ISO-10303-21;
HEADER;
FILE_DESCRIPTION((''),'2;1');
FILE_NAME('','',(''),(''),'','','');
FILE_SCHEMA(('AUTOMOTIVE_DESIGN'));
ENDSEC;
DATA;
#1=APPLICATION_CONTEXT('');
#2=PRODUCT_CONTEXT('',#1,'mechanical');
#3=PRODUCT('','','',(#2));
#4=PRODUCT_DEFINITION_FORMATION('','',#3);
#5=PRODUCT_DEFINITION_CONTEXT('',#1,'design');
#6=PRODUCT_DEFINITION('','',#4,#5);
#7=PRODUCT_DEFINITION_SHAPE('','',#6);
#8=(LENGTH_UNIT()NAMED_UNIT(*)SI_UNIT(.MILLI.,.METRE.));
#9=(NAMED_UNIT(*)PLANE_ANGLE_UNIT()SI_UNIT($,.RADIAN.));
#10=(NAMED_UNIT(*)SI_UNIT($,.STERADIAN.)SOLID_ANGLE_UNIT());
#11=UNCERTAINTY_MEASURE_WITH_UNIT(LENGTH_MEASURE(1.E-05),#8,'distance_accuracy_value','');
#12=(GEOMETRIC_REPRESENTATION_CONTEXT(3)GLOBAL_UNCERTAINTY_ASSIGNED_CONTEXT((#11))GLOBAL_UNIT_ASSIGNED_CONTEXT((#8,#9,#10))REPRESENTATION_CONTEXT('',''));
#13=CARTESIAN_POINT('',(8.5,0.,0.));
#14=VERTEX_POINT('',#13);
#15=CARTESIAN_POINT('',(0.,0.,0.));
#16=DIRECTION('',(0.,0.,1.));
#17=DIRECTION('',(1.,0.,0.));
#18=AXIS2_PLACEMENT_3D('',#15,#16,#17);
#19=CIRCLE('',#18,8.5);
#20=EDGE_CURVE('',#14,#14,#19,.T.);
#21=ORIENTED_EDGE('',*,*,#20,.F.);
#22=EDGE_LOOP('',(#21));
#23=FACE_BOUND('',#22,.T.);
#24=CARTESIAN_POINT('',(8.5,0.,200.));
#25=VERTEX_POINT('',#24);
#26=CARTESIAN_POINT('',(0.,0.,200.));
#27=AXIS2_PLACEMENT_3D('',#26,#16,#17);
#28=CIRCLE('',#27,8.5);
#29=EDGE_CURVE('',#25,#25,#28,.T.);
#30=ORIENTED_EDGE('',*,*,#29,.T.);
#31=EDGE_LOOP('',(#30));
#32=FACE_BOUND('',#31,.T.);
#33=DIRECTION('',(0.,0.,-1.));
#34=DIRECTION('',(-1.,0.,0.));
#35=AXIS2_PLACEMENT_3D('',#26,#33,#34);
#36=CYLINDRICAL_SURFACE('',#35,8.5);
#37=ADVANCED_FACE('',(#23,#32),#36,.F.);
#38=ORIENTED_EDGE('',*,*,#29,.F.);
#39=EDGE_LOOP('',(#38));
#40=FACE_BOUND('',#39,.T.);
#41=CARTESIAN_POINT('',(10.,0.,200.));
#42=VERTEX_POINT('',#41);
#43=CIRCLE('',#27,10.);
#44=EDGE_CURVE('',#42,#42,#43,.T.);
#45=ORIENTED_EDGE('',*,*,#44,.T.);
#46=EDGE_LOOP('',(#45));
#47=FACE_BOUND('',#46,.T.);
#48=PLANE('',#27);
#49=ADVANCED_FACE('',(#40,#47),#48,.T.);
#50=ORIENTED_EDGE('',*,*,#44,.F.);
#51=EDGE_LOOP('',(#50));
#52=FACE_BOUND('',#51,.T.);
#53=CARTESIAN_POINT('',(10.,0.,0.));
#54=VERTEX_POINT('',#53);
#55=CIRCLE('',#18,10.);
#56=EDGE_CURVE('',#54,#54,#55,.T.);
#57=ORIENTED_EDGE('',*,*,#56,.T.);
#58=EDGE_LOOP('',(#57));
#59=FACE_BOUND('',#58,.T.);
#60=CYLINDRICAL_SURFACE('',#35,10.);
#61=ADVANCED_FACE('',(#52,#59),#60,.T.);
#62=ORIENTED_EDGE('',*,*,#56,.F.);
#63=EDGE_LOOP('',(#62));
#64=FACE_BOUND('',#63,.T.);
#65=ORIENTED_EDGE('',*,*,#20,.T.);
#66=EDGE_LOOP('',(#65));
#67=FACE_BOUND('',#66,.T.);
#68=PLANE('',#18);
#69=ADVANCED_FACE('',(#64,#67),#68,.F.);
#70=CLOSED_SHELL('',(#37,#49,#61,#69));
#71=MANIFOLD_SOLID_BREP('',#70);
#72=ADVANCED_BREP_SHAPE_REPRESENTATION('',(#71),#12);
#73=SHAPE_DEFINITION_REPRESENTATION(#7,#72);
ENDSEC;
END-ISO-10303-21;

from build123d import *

# Parameters (mm, degrees)
SKETCH_1_R      = 10
SKETCH_1_R_2    = 8.5
EXTRUDE_1_DEPTH = 200


with BuildPart() as part:
    # Эскиз1 → Бобышка-Вытянуть1 (new body)
    with BuildSketch(Plane.XY):
        Circle(SKETCH_1_R)
        Circle(SKETCH_1_R_2, mode=Mode.SUBTRACT)
    extrude(amount=EXTRUDE_1_DEPTH)


solid = part.part
